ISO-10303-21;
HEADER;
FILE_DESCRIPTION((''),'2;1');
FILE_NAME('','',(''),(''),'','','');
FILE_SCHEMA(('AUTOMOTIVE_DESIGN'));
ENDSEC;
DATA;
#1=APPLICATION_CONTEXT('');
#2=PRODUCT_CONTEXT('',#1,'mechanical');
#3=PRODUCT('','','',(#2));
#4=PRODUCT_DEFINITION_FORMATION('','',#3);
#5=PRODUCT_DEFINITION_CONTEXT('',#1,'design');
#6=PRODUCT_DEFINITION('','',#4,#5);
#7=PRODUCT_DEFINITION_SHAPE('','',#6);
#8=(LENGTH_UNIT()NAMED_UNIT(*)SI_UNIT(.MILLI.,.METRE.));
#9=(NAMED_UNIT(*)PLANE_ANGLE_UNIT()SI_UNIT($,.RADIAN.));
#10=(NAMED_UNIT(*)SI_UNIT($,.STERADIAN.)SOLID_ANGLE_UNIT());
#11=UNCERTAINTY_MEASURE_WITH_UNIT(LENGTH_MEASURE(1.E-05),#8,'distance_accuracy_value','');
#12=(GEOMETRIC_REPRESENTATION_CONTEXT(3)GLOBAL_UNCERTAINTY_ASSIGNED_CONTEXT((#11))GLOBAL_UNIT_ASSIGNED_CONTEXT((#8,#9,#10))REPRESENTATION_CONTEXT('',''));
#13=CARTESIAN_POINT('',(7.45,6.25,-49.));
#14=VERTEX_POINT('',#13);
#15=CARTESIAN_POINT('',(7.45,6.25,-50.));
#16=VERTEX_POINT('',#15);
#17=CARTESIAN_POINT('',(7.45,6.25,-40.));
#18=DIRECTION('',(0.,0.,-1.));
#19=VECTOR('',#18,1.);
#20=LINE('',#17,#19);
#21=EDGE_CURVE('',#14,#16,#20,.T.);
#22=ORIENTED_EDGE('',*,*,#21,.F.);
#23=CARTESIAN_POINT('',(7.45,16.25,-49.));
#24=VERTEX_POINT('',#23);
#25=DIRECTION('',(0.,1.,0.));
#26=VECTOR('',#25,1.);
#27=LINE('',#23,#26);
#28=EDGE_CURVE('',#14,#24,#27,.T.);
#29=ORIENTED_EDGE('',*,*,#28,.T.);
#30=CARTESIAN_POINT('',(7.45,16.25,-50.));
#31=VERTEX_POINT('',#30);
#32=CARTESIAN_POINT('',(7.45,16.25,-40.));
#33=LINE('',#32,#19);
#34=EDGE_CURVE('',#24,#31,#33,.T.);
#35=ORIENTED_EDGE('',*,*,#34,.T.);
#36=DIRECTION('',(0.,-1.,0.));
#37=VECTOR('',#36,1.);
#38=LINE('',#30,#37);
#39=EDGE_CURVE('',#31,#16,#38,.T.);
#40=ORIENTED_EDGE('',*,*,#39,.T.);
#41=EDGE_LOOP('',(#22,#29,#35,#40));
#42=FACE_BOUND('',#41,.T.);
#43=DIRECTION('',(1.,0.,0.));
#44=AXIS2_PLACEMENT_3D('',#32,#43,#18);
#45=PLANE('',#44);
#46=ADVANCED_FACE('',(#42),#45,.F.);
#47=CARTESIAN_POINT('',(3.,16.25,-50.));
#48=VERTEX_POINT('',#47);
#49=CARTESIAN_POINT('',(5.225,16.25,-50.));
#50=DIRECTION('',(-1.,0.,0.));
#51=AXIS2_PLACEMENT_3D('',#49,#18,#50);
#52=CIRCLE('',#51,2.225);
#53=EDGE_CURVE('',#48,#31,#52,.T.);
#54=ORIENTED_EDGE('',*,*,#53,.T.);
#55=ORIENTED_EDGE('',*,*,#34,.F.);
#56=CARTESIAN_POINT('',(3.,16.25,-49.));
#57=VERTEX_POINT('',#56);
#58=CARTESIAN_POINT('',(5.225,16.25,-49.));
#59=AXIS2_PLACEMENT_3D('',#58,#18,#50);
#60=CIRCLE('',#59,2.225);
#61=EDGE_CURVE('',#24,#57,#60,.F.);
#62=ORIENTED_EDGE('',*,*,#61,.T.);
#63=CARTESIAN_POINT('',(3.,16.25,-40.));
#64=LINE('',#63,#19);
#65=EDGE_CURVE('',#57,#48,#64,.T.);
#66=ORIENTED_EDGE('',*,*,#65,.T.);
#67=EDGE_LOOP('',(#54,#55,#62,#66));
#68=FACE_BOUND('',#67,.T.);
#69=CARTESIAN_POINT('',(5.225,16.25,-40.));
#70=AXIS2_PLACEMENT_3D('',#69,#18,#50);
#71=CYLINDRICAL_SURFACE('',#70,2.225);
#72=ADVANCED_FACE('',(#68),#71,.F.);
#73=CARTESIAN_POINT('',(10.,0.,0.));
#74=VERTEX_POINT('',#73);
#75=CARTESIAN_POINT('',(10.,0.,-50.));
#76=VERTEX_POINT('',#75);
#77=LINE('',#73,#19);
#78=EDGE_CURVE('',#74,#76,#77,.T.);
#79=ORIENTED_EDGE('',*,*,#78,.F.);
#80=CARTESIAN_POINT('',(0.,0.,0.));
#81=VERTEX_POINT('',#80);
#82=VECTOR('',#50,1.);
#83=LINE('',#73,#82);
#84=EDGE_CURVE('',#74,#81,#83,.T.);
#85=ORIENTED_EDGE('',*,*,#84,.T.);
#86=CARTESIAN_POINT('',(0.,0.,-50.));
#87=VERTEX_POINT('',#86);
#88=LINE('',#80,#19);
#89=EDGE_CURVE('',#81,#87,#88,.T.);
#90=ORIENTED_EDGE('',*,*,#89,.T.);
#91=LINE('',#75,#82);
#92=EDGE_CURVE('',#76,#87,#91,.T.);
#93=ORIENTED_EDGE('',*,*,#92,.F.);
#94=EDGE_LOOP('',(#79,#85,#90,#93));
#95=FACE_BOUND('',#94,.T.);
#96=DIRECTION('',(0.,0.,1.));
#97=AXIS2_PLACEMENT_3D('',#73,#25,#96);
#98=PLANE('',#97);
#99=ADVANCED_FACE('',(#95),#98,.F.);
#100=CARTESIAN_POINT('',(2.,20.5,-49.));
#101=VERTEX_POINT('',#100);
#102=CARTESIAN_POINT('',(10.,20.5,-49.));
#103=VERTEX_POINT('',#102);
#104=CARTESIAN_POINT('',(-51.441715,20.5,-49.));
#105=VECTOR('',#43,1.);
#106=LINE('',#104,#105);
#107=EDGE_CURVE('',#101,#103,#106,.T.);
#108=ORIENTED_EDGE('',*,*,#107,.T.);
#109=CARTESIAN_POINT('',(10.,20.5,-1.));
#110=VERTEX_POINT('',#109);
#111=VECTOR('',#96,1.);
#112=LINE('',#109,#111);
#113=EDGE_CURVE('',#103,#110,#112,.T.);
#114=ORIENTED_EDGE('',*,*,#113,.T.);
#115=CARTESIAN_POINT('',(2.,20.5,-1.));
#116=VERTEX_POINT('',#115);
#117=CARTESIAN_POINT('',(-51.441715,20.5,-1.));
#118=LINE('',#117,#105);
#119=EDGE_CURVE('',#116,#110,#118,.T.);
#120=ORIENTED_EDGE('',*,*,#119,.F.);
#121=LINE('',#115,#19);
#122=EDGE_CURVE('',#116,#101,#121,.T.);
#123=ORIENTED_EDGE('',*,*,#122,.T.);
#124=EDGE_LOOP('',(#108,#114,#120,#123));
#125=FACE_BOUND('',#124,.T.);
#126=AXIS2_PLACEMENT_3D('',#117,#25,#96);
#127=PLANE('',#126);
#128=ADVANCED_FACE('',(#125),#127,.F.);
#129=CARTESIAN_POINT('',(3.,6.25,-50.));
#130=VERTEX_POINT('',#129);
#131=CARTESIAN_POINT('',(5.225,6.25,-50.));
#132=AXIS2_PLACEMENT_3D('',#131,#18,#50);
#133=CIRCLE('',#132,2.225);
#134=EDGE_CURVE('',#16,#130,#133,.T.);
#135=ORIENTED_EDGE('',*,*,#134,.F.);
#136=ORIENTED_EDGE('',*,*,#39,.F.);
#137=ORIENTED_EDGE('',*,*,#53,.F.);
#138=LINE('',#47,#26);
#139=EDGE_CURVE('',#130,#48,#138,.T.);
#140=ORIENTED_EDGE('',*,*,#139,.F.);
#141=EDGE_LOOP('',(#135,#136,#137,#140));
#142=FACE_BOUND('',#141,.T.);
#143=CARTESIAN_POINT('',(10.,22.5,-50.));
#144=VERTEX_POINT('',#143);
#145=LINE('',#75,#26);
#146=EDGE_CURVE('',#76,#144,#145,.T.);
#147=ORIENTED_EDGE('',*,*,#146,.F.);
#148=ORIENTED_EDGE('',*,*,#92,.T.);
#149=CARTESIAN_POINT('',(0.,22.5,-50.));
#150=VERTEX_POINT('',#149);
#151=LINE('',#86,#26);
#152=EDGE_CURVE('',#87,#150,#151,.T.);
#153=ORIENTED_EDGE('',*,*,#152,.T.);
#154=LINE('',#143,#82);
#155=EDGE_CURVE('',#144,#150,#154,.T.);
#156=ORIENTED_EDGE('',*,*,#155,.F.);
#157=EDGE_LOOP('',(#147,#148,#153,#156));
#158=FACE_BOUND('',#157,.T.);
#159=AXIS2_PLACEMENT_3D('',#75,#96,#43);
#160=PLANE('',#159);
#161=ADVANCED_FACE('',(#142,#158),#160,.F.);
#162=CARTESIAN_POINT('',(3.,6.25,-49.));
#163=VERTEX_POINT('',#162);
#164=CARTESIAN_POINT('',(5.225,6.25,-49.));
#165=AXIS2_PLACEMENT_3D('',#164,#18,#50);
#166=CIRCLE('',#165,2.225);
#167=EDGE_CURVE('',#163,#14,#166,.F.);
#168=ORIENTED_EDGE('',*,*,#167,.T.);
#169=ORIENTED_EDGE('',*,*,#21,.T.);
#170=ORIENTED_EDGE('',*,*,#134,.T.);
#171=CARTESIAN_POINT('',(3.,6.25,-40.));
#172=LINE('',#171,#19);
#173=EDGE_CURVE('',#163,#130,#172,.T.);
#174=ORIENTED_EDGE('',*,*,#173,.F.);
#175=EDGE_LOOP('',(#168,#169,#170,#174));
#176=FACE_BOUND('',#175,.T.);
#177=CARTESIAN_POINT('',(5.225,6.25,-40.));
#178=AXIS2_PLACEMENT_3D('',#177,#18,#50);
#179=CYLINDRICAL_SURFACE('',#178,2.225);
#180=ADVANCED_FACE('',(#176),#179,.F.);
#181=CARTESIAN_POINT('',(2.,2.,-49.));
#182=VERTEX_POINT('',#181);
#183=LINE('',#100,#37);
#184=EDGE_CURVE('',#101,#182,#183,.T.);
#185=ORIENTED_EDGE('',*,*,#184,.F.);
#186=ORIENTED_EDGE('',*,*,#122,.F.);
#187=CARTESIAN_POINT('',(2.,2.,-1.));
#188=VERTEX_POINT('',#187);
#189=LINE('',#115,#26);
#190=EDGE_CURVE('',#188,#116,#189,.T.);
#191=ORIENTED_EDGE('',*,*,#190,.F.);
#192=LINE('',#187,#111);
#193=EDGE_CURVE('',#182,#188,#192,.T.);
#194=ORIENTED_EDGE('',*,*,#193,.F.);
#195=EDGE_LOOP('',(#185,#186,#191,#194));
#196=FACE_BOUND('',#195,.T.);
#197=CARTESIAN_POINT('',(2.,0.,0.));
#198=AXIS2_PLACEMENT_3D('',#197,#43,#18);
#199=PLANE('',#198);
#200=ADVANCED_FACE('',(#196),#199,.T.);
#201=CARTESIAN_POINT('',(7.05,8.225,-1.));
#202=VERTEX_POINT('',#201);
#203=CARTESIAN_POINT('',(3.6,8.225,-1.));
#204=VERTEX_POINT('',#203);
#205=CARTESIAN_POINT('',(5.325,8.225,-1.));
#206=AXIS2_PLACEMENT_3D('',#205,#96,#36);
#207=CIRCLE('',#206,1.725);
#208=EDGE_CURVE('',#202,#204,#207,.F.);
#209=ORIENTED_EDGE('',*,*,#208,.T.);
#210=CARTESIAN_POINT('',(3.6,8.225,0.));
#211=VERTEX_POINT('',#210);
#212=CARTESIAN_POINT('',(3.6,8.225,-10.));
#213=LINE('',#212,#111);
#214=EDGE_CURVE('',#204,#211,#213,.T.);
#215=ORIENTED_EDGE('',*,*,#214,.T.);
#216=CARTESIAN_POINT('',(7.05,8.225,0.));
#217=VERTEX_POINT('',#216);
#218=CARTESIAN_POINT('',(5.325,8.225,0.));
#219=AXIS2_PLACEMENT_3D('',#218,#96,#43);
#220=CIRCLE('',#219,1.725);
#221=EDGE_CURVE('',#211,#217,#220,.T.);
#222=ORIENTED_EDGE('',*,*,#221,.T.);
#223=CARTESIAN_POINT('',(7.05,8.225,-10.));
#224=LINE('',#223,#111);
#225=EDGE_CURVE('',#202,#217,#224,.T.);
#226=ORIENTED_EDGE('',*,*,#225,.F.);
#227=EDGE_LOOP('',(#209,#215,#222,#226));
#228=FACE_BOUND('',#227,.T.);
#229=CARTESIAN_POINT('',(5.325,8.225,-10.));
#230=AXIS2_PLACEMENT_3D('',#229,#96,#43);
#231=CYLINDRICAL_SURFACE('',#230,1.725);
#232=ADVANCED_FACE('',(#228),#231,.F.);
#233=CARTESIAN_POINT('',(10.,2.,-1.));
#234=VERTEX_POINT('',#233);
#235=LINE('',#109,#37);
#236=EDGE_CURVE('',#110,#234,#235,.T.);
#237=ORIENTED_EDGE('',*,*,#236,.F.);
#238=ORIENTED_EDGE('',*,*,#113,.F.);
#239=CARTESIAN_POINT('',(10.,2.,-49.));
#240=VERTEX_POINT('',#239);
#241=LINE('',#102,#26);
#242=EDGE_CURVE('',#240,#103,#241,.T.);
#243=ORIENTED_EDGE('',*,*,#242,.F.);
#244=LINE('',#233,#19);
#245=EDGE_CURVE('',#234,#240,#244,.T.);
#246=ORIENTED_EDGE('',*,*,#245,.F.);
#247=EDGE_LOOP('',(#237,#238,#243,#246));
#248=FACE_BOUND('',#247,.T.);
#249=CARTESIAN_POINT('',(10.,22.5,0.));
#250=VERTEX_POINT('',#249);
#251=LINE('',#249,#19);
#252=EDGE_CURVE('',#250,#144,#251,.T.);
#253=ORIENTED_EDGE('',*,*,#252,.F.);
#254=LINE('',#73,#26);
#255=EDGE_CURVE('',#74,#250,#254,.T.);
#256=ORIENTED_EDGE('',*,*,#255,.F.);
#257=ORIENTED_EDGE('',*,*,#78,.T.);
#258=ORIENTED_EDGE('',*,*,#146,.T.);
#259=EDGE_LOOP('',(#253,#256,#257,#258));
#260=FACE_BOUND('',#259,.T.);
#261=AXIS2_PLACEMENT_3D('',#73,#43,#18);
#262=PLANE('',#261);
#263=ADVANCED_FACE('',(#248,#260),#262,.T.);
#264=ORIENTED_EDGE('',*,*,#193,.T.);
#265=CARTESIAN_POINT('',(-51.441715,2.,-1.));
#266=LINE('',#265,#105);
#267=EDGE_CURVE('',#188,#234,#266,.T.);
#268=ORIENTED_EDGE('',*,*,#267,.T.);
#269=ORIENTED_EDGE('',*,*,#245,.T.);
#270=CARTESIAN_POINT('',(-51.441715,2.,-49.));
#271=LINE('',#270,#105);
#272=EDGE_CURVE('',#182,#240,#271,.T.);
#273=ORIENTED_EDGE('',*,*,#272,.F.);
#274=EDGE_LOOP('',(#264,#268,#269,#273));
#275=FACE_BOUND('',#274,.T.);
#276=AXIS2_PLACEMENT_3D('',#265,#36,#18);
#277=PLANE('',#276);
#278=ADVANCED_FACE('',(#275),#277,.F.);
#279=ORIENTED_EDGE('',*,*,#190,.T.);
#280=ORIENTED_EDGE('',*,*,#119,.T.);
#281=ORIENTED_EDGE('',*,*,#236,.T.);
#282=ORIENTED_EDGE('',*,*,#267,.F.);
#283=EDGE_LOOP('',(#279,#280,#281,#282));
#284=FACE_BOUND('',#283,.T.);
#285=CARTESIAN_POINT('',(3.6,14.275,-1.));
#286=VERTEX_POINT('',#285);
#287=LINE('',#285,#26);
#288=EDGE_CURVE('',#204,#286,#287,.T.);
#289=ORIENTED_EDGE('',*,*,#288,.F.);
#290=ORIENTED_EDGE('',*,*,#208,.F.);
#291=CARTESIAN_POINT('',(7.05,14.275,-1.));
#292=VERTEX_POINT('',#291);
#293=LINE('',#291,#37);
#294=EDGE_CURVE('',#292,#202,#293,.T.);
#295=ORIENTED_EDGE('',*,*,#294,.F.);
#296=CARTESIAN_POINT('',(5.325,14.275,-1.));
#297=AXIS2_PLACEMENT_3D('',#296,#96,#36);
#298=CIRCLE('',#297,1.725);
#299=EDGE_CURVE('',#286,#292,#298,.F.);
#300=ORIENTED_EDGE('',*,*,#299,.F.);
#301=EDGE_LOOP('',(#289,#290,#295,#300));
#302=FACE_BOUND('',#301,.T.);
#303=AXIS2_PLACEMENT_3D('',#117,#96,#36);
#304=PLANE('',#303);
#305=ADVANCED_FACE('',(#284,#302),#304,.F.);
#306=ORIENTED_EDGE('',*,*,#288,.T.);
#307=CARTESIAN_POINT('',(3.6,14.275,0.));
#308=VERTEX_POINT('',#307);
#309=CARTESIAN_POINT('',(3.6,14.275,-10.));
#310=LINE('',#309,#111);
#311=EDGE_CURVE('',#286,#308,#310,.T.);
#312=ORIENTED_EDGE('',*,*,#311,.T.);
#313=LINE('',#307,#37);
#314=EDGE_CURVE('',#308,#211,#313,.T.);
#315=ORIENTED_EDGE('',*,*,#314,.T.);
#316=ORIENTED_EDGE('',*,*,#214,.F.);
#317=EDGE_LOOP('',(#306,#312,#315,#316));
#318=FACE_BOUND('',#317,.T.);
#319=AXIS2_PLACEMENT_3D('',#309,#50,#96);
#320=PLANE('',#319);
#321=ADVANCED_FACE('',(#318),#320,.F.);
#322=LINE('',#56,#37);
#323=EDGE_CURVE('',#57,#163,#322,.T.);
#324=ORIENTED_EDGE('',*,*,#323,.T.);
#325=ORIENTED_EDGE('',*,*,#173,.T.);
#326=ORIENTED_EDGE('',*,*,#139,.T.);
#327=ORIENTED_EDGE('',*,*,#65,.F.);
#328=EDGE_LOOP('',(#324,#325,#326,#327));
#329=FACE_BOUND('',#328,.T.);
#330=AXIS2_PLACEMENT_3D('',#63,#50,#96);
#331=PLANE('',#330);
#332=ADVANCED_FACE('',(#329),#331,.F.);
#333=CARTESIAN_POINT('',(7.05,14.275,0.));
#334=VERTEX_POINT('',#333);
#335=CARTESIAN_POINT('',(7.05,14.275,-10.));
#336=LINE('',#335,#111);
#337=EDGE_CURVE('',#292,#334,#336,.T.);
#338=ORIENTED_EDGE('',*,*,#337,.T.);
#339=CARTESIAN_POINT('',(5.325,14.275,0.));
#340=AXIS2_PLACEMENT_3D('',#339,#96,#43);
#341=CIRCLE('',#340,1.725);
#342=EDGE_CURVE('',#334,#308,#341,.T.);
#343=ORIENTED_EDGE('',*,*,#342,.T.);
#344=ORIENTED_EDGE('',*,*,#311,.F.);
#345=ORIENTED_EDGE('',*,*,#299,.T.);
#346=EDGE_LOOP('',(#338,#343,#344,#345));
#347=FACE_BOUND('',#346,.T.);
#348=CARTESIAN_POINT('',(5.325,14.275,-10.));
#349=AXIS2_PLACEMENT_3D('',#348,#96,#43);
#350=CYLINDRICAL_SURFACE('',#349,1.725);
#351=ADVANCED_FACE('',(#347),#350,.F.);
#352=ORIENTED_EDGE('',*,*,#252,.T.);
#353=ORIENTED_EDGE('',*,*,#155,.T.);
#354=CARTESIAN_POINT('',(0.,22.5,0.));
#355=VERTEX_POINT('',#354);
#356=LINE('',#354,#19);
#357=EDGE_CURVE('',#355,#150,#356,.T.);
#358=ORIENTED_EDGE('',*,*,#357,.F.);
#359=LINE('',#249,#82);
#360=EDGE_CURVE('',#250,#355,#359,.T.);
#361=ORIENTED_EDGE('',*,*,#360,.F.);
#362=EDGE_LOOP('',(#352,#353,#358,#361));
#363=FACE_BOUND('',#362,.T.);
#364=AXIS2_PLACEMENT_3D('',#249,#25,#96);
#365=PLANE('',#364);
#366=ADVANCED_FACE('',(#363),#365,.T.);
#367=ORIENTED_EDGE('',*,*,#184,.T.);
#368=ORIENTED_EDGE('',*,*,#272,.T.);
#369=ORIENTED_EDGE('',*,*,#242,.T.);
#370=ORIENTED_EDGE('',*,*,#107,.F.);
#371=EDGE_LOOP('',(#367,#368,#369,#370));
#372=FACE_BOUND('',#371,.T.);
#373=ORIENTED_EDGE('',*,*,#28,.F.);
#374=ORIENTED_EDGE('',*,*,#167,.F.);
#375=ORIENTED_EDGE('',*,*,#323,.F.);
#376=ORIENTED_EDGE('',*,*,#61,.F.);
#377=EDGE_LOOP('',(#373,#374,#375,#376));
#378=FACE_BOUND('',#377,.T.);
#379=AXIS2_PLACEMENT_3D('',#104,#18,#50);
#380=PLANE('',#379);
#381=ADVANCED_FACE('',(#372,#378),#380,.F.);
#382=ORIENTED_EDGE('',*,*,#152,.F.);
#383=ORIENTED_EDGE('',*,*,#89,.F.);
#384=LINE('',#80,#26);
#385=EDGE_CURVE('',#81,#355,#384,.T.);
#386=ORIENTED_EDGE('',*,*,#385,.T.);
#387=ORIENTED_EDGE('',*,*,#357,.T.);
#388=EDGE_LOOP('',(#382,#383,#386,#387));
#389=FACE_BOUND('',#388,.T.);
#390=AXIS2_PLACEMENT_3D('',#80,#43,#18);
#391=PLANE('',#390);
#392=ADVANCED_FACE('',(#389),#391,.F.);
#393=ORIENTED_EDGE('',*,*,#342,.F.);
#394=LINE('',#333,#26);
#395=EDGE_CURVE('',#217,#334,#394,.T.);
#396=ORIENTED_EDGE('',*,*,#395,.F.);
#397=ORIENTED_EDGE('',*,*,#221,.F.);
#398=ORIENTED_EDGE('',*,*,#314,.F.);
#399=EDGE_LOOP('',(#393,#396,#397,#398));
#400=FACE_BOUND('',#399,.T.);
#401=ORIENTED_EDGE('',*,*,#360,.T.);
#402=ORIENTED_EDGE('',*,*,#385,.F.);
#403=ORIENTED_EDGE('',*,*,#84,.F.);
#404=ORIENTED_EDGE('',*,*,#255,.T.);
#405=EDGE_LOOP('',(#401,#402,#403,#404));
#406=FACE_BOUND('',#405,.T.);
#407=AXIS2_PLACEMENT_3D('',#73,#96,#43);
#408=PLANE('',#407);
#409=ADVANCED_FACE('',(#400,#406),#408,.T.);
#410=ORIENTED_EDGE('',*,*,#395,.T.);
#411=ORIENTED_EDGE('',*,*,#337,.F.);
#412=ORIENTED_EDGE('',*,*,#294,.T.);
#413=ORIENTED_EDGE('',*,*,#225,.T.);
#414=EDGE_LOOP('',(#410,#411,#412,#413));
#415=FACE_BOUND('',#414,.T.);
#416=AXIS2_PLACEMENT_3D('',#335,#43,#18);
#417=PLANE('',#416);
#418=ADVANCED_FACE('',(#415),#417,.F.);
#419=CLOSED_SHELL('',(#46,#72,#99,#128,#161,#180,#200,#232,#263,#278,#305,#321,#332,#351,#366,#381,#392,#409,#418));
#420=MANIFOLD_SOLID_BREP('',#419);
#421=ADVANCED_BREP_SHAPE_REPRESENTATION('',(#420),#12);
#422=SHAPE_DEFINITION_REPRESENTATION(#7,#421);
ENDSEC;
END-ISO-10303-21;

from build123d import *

# Parameters (mm, degrees)
SKETCH2_W           = 50
SKETCH2_H           = 22.5
BOSS_EXTRUDE1_DEPTH = 10
USBC_DEPTH          = 10
POGO_DEPTH          = 10
SKETCH6_W           = 48
SKETCH6_H           = 18.5
CUT_EXTRUDE3_DEPTH  = 8


with BuildPart() as part:
    # Sketch2 → Boss-Extrude1 (new body)
    with BuildSketch(Plane(origin=(0, 0, 0), x_dir=(0, 0, -1), z_dir=(1, 0, 0))):
        with Locations((25, 11.25)):
            Rectangle(SKETCH2_W, SKETCH2_H)
    extrude(amount=BOSS_EXTRUDE1_DEPTH)

    # Sketch4 → USBC (cut)
    with BuildSketch(Plane.XY):
        with BuildLine():
            Line((7.05, 14.275), (7.05, 8.225))
            ThreePointArc((7.05, 8.225), (5.325, 6.5), (3.6, 8.225))
            Line((3.6, 8.225), (3.6, 14.275))
            ThreePointArc((3.6, 14.275), (5.325, 16), (7.05, 14.275))
        make_face()
    extrude(amount=-USBC_DEPTH, mode=Mode.SUBTRACT)

    # Sketch5 → POGO (cut)
    with BuildSketch(Plane(origin=(0, 0, -50), x_dir=(-1, 0, 0), z_dir=(0, 0, -1))):
        with BuildLine():
            Line((-3, 16.25), (-3, 6.25))
            ThreePointArc((-3, 6.25), (-5.225, 4.025), (-7.45, 6.25))
            Line((-7.45, 6.25), (-7.45, 16.25))
            ThreePointArc((-7.45, 16.25), (-5.225, 18.475), (-3, 16.25))
        make_face()
    extrude(amount=-POGO_DEPTH, mode=Mode.SUBTRACT)

    # Sketch6 → Cut-Extrude3 (cut)
    with BuildSketch(Plane(origin=(10, 0, 0), x_dir=(0, 0, -1), z_dir=(1, 0, 0))):
        with Locations((25, 11.25)):
            Rectangle(SKETCH6_W, SKETCH6_H)
    extrude(amount=-CUT_EXTRUDE3_DEPTH, mode=Mode.SUBTRACT)


solid = part.part
